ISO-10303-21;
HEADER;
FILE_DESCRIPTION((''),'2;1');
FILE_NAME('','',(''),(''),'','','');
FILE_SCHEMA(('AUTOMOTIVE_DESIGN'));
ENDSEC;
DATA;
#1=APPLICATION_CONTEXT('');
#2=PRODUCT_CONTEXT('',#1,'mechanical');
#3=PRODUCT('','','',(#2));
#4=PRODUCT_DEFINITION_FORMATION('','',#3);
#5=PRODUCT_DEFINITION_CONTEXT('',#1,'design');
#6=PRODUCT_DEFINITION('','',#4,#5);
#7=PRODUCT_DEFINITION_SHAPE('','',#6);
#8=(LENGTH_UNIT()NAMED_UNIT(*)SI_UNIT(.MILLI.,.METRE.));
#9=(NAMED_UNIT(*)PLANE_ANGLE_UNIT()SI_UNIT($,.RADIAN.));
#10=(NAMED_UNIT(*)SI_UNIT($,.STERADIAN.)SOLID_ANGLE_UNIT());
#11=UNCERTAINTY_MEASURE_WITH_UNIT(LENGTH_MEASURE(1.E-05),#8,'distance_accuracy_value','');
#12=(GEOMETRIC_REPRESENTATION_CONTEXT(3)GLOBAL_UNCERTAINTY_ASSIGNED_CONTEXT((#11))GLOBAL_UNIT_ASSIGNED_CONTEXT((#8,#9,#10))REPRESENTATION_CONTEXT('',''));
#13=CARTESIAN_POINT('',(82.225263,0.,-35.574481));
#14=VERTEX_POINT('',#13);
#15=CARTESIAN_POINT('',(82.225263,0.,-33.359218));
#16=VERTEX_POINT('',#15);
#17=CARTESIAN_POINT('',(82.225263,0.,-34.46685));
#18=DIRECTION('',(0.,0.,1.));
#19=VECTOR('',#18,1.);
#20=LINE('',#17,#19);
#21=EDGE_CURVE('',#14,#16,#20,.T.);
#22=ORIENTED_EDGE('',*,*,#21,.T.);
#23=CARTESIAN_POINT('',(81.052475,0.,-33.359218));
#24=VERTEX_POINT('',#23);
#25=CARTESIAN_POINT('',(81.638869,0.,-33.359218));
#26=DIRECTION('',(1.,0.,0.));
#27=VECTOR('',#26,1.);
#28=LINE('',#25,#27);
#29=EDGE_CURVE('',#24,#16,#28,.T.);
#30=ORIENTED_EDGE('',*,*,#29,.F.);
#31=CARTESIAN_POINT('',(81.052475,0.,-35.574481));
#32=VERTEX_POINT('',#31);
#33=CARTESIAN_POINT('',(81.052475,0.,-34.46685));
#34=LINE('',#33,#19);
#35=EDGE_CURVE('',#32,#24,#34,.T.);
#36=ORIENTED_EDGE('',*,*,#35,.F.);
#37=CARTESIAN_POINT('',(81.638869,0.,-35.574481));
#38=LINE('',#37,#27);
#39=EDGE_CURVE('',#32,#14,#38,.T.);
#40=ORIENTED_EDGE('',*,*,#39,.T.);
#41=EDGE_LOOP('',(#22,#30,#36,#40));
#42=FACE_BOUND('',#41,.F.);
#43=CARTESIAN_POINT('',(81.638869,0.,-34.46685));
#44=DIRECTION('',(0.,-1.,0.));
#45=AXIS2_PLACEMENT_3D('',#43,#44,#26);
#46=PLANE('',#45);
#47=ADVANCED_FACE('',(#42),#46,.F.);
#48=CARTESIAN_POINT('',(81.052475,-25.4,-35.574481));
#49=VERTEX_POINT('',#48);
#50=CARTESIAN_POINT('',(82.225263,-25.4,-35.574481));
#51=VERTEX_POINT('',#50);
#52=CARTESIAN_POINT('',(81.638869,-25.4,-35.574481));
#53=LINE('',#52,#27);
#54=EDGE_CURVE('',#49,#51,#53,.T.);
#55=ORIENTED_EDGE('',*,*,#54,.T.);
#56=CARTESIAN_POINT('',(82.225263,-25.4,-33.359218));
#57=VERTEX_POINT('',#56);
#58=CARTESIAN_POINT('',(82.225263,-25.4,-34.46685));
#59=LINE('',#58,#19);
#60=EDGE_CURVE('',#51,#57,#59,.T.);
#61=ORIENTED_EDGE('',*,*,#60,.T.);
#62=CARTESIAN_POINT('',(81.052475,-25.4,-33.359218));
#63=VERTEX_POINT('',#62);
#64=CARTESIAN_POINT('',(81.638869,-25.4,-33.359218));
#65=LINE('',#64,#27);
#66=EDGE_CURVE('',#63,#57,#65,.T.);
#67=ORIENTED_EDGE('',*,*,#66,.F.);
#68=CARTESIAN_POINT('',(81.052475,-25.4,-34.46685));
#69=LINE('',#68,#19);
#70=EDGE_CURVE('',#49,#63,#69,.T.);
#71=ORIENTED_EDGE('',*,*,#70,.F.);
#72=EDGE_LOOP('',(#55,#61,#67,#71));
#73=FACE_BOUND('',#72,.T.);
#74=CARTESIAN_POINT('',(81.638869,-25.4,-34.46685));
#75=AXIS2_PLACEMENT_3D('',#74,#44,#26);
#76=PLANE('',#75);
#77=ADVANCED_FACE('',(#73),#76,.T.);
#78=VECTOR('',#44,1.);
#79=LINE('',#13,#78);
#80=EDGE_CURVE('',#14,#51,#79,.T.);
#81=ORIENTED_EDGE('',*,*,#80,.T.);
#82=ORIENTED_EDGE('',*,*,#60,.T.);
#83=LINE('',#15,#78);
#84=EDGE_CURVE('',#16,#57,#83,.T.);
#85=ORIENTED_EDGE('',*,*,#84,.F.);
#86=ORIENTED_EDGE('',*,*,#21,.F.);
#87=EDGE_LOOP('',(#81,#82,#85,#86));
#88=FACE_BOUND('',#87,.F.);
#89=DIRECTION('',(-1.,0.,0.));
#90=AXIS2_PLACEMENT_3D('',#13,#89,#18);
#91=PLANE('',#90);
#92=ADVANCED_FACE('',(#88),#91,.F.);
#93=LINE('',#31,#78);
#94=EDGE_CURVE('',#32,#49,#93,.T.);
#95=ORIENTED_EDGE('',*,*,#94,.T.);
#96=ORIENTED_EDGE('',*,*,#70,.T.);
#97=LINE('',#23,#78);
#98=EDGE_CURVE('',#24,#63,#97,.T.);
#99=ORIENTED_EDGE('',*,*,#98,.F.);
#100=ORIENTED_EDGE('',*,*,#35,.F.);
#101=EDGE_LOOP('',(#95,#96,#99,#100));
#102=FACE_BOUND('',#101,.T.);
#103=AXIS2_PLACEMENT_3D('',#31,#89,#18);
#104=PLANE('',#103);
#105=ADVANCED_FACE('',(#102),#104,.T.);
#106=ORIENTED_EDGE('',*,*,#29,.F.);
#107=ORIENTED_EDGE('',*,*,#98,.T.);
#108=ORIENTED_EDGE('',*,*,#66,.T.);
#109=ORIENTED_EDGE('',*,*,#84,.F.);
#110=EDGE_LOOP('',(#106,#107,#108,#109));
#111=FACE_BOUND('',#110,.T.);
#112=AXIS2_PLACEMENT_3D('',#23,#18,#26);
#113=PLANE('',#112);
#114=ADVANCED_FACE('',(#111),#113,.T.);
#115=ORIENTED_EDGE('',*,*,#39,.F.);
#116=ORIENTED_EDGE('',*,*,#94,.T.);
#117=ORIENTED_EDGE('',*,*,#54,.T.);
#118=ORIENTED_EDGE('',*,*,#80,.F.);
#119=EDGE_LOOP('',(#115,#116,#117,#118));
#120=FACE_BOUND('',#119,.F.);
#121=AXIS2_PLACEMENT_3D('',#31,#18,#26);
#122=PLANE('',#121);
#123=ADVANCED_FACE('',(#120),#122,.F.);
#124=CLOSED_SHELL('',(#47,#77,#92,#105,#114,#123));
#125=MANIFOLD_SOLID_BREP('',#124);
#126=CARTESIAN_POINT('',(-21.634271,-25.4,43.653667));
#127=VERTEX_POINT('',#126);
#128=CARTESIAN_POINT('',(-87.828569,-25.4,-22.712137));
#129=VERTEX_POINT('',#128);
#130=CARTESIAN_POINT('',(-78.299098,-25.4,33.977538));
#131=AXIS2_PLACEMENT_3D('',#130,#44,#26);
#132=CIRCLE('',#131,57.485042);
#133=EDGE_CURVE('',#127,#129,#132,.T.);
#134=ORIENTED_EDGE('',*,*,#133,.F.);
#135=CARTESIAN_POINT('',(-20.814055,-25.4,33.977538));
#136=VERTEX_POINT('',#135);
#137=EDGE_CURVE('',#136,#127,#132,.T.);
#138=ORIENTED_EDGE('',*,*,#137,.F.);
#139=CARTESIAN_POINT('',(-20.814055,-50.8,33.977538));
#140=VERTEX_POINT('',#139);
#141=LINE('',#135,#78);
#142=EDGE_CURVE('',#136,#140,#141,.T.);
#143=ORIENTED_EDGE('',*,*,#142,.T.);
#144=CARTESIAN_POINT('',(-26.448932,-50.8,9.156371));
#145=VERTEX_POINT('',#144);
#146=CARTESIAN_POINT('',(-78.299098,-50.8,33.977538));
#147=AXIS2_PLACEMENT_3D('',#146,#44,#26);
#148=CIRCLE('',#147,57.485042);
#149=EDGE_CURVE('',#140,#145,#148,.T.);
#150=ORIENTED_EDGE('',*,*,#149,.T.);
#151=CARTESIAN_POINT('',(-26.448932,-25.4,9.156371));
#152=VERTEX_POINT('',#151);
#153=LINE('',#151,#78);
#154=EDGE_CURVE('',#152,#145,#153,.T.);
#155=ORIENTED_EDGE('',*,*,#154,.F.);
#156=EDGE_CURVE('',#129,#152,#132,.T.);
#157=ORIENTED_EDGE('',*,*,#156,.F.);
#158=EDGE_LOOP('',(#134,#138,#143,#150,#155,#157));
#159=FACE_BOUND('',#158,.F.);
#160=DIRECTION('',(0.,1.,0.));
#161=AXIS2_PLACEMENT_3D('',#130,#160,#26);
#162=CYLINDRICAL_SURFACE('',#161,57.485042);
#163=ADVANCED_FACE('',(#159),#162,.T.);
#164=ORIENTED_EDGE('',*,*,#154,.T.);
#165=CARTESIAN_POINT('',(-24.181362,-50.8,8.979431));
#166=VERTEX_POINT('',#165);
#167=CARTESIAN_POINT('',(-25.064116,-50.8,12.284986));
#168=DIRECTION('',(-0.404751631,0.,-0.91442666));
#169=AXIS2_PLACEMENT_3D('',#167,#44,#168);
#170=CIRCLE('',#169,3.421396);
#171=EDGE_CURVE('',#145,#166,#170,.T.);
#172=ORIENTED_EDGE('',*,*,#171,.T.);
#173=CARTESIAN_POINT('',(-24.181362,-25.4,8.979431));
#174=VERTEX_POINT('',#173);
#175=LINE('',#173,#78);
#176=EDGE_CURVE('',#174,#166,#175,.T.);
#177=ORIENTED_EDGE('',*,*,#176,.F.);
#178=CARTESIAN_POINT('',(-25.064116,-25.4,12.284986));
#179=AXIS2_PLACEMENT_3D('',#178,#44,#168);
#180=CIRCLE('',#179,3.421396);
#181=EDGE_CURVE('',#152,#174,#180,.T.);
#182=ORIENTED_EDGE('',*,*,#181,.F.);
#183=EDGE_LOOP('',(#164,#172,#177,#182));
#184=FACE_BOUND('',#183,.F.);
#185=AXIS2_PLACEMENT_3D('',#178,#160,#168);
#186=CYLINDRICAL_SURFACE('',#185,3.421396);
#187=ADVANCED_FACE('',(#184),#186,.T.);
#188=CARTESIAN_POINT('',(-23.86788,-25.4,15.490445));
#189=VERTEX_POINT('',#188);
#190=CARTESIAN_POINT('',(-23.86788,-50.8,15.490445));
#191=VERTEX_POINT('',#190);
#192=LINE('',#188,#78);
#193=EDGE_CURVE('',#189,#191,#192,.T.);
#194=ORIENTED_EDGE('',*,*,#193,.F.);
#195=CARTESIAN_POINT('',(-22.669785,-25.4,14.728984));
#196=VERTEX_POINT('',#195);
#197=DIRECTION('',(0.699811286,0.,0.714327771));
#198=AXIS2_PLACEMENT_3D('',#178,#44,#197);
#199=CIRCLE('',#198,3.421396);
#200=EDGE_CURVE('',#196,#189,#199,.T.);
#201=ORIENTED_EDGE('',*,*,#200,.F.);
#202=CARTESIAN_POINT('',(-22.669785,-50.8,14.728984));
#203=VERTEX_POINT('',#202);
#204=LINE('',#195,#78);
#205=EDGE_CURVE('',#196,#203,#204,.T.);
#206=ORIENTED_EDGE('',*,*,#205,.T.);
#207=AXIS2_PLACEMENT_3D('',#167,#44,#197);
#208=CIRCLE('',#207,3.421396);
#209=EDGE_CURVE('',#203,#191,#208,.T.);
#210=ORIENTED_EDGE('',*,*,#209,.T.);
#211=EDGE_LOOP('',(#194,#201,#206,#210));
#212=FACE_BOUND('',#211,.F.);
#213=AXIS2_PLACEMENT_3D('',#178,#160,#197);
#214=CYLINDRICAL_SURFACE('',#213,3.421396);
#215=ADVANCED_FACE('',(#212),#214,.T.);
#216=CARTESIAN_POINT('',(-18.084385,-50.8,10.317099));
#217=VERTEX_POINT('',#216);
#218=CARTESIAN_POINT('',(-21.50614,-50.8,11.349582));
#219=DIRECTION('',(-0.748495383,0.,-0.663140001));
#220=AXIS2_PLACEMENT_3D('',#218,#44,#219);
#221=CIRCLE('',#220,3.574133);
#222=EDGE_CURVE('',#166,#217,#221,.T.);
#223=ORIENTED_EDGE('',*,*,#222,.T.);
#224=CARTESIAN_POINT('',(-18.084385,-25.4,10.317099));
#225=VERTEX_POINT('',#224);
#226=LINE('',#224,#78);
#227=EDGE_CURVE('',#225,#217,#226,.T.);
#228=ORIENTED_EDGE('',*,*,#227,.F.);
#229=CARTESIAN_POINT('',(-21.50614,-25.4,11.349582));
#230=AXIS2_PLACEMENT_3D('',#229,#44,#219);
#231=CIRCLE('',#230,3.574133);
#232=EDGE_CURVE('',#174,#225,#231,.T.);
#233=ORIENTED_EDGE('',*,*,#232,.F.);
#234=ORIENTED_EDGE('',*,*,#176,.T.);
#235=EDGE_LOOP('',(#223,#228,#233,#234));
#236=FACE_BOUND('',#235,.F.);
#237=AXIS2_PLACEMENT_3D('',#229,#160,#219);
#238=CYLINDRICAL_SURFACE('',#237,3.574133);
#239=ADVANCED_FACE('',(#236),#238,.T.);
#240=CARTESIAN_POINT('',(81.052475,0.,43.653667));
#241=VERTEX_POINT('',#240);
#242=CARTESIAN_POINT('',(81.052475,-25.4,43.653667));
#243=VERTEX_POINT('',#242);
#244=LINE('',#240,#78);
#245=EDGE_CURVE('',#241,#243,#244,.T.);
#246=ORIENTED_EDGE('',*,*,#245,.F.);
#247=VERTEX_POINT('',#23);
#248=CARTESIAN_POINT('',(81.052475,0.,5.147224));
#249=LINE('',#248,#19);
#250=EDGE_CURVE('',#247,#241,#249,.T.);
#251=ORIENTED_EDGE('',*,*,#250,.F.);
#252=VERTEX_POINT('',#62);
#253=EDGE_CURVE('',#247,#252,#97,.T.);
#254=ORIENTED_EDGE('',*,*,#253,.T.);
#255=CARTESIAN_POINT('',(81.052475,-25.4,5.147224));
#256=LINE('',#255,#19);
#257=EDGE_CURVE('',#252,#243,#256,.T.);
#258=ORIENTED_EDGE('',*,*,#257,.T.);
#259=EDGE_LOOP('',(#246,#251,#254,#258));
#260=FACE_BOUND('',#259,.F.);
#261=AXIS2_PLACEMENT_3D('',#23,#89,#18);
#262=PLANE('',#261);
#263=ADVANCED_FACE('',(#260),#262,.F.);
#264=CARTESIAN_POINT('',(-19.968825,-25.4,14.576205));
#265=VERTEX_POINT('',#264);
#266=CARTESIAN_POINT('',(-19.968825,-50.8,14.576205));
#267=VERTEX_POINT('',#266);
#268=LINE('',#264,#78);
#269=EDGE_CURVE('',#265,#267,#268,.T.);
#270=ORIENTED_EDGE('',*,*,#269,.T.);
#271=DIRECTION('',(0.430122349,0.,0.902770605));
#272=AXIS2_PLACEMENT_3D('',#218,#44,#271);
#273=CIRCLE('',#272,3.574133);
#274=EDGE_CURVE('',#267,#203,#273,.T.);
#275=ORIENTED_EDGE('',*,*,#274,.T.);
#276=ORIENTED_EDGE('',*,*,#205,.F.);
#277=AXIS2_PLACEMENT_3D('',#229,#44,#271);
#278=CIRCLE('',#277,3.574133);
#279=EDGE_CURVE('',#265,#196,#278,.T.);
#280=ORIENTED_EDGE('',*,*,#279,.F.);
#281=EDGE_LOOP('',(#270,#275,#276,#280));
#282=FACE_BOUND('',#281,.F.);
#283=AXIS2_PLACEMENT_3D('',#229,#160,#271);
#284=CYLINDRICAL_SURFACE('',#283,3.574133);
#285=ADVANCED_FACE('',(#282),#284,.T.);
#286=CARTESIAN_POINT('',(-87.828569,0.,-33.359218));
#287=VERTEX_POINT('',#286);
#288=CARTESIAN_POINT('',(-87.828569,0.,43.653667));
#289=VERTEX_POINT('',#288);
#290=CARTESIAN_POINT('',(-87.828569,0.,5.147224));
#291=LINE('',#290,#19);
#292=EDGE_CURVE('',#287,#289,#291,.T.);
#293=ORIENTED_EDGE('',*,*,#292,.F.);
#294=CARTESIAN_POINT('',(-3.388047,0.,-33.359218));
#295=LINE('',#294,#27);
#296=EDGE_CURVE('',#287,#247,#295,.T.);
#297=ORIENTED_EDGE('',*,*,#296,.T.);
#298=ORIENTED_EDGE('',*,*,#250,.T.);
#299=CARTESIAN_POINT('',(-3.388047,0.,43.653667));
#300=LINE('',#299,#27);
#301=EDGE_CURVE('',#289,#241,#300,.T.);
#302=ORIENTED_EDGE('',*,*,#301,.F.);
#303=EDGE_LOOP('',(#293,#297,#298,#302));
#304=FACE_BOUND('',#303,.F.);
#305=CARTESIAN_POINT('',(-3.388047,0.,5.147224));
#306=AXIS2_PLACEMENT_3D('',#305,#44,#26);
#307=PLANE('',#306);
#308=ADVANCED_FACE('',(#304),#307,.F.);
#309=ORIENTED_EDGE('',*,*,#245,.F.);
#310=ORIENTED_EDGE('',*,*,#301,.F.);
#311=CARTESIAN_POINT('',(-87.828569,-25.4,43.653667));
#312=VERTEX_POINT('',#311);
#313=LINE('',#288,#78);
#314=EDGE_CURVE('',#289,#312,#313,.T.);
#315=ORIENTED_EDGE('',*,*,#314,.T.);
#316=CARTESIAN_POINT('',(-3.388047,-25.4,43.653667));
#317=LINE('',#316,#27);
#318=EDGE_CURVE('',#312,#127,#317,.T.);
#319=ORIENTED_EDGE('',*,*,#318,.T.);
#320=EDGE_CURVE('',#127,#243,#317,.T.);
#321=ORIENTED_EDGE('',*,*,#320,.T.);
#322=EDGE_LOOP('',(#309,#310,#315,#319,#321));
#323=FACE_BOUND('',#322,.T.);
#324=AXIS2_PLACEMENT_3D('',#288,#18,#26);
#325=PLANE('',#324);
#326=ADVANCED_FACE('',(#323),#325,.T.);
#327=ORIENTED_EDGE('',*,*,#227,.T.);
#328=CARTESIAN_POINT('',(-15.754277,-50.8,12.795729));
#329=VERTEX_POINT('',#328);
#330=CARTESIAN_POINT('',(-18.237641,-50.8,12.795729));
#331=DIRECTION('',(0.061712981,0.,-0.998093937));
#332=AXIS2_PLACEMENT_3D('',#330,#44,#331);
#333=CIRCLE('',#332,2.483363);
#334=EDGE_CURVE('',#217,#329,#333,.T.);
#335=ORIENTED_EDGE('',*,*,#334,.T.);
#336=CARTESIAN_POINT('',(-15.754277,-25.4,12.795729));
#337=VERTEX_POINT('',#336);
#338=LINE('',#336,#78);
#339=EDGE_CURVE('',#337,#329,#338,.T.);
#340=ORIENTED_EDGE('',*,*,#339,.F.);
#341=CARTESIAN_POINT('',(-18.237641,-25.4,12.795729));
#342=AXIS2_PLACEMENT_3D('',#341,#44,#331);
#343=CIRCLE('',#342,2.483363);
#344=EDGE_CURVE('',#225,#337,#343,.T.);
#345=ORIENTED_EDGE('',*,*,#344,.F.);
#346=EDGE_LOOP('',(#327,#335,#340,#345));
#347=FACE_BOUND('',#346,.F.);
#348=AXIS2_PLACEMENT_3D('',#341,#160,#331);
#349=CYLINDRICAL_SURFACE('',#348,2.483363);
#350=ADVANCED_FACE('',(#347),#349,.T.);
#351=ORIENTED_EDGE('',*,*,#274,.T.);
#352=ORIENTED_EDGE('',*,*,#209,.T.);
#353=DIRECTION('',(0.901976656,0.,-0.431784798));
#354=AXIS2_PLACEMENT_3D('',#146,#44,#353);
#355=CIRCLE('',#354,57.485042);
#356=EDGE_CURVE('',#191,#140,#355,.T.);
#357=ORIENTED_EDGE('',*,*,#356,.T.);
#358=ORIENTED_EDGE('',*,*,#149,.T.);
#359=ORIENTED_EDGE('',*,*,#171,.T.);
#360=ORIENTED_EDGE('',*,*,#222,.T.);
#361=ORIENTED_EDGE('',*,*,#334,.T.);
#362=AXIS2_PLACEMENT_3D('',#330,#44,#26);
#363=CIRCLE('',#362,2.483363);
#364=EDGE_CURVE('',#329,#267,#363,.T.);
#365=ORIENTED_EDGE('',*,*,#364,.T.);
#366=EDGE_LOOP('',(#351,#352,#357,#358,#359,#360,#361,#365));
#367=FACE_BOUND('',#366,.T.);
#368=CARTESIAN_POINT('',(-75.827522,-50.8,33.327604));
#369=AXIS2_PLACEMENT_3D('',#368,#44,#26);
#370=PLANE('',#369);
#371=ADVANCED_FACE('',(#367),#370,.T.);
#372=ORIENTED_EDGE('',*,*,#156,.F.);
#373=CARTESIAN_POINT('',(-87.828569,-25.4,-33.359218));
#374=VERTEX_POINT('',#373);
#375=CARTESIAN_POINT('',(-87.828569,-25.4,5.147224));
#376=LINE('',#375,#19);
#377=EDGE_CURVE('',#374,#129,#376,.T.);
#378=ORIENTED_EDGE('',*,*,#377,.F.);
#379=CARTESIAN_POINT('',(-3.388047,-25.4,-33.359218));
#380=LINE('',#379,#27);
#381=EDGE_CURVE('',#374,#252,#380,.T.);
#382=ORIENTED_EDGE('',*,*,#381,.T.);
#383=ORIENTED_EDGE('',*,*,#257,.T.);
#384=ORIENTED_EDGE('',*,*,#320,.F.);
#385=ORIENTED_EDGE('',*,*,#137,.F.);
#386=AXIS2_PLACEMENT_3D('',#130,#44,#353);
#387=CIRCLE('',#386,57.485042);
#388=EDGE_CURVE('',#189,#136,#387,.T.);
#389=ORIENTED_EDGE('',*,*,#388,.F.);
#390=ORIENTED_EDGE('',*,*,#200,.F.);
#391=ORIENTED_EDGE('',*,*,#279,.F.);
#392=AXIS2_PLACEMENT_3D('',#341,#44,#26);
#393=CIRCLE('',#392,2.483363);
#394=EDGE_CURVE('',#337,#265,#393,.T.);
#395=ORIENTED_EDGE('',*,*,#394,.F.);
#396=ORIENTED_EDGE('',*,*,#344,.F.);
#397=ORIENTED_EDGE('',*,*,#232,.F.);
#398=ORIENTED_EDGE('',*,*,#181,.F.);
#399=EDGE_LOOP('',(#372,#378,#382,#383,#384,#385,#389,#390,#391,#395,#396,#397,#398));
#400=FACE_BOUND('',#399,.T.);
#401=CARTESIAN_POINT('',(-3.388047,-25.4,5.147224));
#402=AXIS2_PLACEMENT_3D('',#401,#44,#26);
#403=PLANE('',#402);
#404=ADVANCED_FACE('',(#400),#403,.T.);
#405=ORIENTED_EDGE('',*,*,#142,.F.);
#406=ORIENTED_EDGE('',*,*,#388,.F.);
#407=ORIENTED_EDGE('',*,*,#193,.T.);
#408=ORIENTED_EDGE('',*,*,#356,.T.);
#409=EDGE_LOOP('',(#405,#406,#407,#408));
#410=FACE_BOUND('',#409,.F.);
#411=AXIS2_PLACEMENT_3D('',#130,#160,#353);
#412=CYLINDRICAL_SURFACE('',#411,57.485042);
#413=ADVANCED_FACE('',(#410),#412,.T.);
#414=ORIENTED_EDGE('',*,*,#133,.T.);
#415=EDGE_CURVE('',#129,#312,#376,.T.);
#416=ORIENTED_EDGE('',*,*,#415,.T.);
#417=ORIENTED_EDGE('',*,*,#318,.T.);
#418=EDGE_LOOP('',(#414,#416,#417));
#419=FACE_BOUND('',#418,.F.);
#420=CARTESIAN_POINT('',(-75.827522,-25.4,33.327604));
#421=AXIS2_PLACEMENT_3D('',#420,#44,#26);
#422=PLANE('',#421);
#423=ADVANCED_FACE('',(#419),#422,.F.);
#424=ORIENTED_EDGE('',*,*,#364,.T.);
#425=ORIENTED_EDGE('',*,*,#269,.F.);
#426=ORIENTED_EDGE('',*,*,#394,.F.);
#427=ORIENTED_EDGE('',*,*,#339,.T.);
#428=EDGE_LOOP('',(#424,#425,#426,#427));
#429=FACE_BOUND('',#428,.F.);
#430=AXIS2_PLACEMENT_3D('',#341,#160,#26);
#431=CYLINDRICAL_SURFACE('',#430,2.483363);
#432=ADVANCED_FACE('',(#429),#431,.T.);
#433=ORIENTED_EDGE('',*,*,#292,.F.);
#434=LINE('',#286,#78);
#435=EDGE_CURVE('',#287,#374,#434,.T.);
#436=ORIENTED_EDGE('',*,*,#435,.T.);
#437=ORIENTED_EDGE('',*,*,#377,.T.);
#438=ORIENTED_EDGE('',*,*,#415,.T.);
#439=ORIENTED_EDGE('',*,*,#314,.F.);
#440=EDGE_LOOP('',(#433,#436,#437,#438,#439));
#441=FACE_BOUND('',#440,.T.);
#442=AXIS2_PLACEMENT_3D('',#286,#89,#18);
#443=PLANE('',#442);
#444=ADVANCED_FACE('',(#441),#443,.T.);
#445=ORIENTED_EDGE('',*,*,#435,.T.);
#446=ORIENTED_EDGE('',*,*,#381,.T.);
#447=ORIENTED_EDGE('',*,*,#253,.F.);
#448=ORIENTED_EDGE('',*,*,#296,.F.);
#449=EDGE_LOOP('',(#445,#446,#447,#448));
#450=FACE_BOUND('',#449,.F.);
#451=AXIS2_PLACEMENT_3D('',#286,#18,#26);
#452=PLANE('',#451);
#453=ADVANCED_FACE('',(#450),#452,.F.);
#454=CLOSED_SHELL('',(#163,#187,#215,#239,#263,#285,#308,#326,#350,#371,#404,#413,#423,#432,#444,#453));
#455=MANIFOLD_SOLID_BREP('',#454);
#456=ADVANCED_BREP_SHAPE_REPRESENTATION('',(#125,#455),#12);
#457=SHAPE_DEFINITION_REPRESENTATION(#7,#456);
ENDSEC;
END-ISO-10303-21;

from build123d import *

# Parameters (mm, degrees)
F0_W     = 1.1727884412
F0_H     = 2.2152625024
F1_DEPTH = 25.4
F0_W_2   = 168.8810437918
F0_H_2   = 77.0128853619
F3_DEPTH = 25.4


with BuildPart() as f1:
    # F0 (on Front) → F1 (new body)
    with BuildSketch(Plane.XZ):
        with Locations((81.6388688982, -34.46684964)):
            Rectangle(F0_W, F0_H)
    extrude(amount=F1_DEPTH)


with BuildPart() as f1b:
    # F0 (on Front) → F1, piece 2 (new body)
    with BuildSketch(Plane.XZ):
        with Locations((-3.3880472183, 5.1472242922)):
            Rectangle(F0_W_2, F0_H_2)
    extrude(amount=F1_DEPTH)

    # F2 (on face) → F3 (join)
    with BuildSketch(Plane.XZ.offset(25.4)):
        with BuildLine():
            ThreePointArc((-23.8678798597, 15.4904454531), (-21.5826497557, 24.6087277634), (-20.814055479, 33.9775383472))
            ThreePointArc((-20.814055479, 33.9775383472), (-134.3577236065, 46.7039103537), (-26.4489315491, 9.1563709802))
            ThreePointArc((-26.4489315491, 9.1563709802), (-28.2325565865, 13.5760840987), (-23.8678798597, 15.4904454531))
        make_face()
        with BuildLine():
            ThreePointArc((-23.8678798597, 15.4904454531), (-28.2325565865, 13.5760840987), (-26.4489315491, 9.1563709802))
            ThreePointArc((-26.4489315491, 9.1563709802), (-25.0641160561, 12.2849864303), (-23.8678798597, 15.4904454531))
        make_face()
        with BuildLine():
            ThreePointArc((-23.8678798597, 15.4904454531), (-25.0641160561, 12.2849864303), (-26.4489315491, 9.1563709802))
            ThreePointArc((-26.4489315491, 9.1563709802), (-25.3302802912, 8.8739594318), (-24.1813622815, 8.9794313547))
            ThreePointArc((-24.1813622815, 8.9794313547), (-24.9628096472, 12.2583526219), (-22.6697847258, 14.7289843978))
            ThreePointArc((-22.6697847258, 14.7289843978), (-23.2289050258, 15.1725371326), (-23.8678798597, 15.4904454531))
        make_face()
        with BuildLine():
            ThreePointArc((-22.6697847258, 14.7289843978), (-24.9628096472, 12.2583526219), (-24.1813622815, 8.9794313547))
            ThreePointArc((-24.1813622815, 8.9794313547), (-22.3506129182, 10.2010360219), (-21.642720349, 12.2849864303))
            ThreePointArc((-21.642720349, 12.2849864303), (-21.9099201586, 13.6105039989), (-22.6697847258, 14.7289843978))
        make_face()
        with BuildLine():
            ThreePointArc((-21.642720349, 12.2849864303), (-22.3506129182, 10.2010360219), (-24.1813622815, 8.9794313547))
            ThreePointArc((-24.1813622815, 8.9794313547), (-20.740198367, 7.8584845453), (-18.0843849342, 10.3170991647))
            ThreePointArc((-18.0843849342, 10.3170991647), (-20.508644808, 11.7909236933), (-19.9688253979, 14.5762045914))
            ThreePointArc((-19.9688253979, 14.5762045914), (-21.3042917621, 14.9180111954), (-22.6697847258, 14.7289843978))
            ThreePointArc((-22.6697847258, 14.7289843978), (-21.9099201586, 13.6105039989), (-21.642720349, 12.2849864303))
        make_face()
        with BuildLine():
            ThreePointArc((-19.9688253979, 14.5762045914), (-20.508644808, 11.7909236933), (-18.0843849342, 10.3170991647))
            ThreePointArc((-18.0843849342, 10.3170991647), (-17.9703064735, 10.8277487678), (-17.9320067111, 11.3495821133))
            ThreePointArc((-17.9320067111, 11.3495821133), (-18.4838067901, 13.2574423663), (-19.9688253979, 14.5762045914))
        make_face()
        with BuildLine():
            ThreePointArc((-17.9320067111, 11.3495821133), (-17.9703064735, 10.8277487678), (-18.0843849342, 10.3170991647))
            ThreePointArc((-18.0843849342, 10.3170991647), (-16.4282646532, 11.0947728981), (-15.7542773342, 12.7957290747))
            ThreePointArc((-15.7542773342, 12.7957290747), (-17.2712212957, 15.083331993), (-19.9688253979, 14.5762045914))
            ThreePointArc((-19.9688253979, 14.5762045914), (-18.4838067901, 13.2574423663), (-17.9320067111, 11.3495821133))
        make_face()
    extrude(amount=F3_DEPTH)


solid = Compound([f1.part, f1b.part])
